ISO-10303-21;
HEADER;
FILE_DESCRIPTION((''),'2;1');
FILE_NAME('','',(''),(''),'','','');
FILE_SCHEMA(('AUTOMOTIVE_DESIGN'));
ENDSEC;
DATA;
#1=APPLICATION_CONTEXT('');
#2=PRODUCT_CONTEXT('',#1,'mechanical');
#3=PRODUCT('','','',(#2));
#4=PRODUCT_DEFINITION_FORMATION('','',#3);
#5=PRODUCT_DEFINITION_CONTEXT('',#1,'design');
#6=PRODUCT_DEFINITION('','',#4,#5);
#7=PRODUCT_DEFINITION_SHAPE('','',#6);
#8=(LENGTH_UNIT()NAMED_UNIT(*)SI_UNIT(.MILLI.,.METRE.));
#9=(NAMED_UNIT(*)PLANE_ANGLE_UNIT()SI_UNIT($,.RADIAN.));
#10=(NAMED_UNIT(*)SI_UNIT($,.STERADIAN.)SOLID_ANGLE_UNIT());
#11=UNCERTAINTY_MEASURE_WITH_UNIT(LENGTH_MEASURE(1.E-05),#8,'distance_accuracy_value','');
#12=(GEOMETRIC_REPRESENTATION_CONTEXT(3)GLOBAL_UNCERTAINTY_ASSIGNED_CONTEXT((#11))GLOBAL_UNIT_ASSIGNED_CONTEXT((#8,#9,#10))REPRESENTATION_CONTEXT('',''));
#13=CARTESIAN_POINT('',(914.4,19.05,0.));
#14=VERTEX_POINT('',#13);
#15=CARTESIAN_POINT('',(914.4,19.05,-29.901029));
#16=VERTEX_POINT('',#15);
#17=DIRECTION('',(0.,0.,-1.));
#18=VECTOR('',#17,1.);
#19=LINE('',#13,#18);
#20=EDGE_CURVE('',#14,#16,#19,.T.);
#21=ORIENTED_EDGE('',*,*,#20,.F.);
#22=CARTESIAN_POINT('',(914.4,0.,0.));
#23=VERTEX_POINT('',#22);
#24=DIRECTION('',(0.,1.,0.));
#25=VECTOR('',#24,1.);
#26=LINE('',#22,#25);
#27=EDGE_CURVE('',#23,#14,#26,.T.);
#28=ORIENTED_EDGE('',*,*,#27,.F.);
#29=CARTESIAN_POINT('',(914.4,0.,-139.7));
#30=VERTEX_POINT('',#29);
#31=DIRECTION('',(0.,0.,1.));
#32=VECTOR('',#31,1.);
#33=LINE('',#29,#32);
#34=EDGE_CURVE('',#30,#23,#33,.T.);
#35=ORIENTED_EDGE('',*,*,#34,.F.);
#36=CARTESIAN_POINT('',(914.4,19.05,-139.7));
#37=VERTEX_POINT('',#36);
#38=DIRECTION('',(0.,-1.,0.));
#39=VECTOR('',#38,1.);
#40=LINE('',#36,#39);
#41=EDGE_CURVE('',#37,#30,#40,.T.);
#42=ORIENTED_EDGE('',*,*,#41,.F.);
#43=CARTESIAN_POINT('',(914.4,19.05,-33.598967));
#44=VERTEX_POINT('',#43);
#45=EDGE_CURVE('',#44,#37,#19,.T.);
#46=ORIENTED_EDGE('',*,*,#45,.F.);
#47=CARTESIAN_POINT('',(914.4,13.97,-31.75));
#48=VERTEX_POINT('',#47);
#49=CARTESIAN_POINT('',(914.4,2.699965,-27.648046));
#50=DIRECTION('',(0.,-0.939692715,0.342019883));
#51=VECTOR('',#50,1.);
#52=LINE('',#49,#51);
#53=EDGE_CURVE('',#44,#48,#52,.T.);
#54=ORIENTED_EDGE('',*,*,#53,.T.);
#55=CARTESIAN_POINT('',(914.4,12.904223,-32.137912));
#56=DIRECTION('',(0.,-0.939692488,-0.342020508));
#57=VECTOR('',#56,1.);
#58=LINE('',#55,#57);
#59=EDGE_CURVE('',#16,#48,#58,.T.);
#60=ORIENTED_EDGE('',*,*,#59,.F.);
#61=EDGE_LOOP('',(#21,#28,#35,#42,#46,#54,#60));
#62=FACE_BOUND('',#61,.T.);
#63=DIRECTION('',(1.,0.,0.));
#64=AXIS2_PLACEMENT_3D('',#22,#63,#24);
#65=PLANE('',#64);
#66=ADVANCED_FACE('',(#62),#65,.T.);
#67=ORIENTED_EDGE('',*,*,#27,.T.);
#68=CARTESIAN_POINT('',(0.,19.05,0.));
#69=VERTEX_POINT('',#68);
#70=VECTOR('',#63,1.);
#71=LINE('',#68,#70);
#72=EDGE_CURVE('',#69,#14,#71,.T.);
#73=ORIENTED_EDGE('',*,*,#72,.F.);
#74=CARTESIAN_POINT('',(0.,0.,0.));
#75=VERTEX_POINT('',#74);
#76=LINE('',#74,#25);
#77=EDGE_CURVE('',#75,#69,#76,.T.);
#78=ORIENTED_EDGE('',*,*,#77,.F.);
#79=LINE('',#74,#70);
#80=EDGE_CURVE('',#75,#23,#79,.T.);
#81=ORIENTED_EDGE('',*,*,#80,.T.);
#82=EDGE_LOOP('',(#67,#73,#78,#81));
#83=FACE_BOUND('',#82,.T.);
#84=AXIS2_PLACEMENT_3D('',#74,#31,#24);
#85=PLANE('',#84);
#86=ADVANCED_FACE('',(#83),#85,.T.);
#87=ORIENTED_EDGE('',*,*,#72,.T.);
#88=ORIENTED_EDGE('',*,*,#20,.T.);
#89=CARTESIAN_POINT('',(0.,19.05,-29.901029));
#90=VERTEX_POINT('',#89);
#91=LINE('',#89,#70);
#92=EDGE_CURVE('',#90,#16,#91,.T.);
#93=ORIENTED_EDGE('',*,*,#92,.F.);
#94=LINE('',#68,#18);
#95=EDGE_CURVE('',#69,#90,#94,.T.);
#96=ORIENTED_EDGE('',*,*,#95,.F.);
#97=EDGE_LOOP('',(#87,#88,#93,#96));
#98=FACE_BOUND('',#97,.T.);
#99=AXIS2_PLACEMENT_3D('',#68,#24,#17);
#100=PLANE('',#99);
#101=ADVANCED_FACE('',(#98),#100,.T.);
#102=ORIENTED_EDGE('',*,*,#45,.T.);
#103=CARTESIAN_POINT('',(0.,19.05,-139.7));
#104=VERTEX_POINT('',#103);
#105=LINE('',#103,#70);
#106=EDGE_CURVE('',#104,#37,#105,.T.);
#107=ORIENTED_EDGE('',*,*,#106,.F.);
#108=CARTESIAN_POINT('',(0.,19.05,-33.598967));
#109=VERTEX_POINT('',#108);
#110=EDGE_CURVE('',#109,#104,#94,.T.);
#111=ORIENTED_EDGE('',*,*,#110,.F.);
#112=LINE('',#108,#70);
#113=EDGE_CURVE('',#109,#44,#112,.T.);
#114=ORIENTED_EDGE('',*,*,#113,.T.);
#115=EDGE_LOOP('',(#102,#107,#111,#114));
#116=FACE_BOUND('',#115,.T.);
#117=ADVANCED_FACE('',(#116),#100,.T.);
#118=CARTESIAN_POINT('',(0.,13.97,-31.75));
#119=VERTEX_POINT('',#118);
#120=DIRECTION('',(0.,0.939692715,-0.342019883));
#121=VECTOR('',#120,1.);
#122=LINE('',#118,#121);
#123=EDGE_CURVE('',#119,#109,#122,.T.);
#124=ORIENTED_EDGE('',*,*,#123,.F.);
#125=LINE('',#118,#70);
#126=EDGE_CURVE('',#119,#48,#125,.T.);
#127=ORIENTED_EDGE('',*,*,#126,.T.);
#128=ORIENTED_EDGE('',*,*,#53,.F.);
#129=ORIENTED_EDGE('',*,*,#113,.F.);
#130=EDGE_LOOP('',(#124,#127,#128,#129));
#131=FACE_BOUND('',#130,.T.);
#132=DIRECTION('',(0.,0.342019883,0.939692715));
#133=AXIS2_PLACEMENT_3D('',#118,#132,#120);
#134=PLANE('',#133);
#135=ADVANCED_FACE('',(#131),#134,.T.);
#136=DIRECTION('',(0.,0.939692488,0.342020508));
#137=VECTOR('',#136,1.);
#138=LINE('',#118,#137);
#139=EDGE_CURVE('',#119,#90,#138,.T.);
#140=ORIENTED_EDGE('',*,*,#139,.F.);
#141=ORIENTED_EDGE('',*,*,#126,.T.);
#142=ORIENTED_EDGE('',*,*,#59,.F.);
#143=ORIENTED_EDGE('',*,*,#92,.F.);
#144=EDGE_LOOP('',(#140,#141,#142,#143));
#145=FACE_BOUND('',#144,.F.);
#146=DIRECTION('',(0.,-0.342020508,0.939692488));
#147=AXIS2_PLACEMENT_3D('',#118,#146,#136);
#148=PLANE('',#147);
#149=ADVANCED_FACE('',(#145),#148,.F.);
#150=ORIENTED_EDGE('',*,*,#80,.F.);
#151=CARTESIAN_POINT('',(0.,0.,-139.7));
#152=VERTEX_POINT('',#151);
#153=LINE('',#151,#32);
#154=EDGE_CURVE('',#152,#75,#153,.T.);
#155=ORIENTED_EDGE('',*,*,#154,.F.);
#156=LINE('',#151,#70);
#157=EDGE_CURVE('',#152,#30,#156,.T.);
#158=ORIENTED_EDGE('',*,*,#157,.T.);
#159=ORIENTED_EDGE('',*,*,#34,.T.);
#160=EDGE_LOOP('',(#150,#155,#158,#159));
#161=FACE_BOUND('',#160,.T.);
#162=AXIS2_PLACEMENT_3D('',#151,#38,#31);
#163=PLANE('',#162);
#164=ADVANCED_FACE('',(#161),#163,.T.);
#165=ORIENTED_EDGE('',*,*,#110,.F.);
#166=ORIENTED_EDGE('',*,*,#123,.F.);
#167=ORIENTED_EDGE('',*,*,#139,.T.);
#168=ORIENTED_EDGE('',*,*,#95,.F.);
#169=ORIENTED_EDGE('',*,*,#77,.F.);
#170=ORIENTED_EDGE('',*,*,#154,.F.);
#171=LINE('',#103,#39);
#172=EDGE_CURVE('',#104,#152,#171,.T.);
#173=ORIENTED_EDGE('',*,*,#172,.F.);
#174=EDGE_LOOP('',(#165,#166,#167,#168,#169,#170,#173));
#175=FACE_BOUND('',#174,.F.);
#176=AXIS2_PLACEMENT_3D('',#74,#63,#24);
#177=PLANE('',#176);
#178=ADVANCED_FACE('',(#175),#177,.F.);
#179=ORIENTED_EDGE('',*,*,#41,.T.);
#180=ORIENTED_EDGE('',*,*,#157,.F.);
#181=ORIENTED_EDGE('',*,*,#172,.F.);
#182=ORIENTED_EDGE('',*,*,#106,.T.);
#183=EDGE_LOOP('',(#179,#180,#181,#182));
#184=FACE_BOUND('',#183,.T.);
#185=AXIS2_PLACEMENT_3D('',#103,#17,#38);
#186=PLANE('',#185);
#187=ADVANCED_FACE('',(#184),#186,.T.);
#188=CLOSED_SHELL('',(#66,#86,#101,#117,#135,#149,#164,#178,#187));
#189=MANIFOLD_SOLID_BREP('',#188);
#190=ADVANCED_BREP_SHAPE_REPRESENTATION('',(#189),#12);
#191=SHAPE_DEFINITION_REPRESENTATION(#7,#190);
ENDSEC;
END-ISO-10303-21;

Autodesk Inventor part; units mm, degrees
ref_plane "YZ Plane" through (0, 0, 0) normal (1, 0, 0) x (0, 1, 0)
ref_plane "XZ Plane" through (0, 0, 0) normal (0, 1, 0) x (-1, 0, 0)
ref_plane "XY Plane" through (0, 0, 0) normal (0, 0, 1) x (1, 0, 0)
sketch "Sketch1" plane through (0, 0, 0) normal (1, 0, 0) x (0, 1, 0)
  line L0 (0, 0) -> (19.05, 0)
  line L1 (19.05, 0) -> (19.05, -139.7)
  line L2 (19.05, -139.7) -> (0, -139.7)
  line L3 (0, -139.7) -> (0, 0)
  dimension "d0" = 19.05
  dimension "d1" = 139.7
extrude "Extrusion1" add sketch "Sketch1" along normal blind 914.4
sketch "Sketch2" plane through (0, 0, 0) normal (-1, 0, 0) x (0, 0, 1)
  line L0 (0, 7.6875) -> (-31.75, 7.6875)
  line L1 (-31.75, 7.6875) -> (-31.75, 36.5157)
  line L2 (-139.7, 19.05) -> (0, 19.05) projected
  line L3 (-139.7, 13.97) -> (0, 13.97)
  line L4 (-31.75, 13.97) -> (-23.9508, 35.3981)
  line L5 (-31.75, 13.97) -> (-38.1681, 31.6036)
  point P0 (0, 0)
  point P1 (-29.901, 19.05)
  point P2 (-33.599, 19.05)
  dimension "d4" = 31.75
  dimension "d5" = 5.08
  dimension "d6" = 20
  dimension "d7" = 20
extrude "Extrusion2" cut sketch "Sketch2" against normal through all
properties part number "big bourd"
